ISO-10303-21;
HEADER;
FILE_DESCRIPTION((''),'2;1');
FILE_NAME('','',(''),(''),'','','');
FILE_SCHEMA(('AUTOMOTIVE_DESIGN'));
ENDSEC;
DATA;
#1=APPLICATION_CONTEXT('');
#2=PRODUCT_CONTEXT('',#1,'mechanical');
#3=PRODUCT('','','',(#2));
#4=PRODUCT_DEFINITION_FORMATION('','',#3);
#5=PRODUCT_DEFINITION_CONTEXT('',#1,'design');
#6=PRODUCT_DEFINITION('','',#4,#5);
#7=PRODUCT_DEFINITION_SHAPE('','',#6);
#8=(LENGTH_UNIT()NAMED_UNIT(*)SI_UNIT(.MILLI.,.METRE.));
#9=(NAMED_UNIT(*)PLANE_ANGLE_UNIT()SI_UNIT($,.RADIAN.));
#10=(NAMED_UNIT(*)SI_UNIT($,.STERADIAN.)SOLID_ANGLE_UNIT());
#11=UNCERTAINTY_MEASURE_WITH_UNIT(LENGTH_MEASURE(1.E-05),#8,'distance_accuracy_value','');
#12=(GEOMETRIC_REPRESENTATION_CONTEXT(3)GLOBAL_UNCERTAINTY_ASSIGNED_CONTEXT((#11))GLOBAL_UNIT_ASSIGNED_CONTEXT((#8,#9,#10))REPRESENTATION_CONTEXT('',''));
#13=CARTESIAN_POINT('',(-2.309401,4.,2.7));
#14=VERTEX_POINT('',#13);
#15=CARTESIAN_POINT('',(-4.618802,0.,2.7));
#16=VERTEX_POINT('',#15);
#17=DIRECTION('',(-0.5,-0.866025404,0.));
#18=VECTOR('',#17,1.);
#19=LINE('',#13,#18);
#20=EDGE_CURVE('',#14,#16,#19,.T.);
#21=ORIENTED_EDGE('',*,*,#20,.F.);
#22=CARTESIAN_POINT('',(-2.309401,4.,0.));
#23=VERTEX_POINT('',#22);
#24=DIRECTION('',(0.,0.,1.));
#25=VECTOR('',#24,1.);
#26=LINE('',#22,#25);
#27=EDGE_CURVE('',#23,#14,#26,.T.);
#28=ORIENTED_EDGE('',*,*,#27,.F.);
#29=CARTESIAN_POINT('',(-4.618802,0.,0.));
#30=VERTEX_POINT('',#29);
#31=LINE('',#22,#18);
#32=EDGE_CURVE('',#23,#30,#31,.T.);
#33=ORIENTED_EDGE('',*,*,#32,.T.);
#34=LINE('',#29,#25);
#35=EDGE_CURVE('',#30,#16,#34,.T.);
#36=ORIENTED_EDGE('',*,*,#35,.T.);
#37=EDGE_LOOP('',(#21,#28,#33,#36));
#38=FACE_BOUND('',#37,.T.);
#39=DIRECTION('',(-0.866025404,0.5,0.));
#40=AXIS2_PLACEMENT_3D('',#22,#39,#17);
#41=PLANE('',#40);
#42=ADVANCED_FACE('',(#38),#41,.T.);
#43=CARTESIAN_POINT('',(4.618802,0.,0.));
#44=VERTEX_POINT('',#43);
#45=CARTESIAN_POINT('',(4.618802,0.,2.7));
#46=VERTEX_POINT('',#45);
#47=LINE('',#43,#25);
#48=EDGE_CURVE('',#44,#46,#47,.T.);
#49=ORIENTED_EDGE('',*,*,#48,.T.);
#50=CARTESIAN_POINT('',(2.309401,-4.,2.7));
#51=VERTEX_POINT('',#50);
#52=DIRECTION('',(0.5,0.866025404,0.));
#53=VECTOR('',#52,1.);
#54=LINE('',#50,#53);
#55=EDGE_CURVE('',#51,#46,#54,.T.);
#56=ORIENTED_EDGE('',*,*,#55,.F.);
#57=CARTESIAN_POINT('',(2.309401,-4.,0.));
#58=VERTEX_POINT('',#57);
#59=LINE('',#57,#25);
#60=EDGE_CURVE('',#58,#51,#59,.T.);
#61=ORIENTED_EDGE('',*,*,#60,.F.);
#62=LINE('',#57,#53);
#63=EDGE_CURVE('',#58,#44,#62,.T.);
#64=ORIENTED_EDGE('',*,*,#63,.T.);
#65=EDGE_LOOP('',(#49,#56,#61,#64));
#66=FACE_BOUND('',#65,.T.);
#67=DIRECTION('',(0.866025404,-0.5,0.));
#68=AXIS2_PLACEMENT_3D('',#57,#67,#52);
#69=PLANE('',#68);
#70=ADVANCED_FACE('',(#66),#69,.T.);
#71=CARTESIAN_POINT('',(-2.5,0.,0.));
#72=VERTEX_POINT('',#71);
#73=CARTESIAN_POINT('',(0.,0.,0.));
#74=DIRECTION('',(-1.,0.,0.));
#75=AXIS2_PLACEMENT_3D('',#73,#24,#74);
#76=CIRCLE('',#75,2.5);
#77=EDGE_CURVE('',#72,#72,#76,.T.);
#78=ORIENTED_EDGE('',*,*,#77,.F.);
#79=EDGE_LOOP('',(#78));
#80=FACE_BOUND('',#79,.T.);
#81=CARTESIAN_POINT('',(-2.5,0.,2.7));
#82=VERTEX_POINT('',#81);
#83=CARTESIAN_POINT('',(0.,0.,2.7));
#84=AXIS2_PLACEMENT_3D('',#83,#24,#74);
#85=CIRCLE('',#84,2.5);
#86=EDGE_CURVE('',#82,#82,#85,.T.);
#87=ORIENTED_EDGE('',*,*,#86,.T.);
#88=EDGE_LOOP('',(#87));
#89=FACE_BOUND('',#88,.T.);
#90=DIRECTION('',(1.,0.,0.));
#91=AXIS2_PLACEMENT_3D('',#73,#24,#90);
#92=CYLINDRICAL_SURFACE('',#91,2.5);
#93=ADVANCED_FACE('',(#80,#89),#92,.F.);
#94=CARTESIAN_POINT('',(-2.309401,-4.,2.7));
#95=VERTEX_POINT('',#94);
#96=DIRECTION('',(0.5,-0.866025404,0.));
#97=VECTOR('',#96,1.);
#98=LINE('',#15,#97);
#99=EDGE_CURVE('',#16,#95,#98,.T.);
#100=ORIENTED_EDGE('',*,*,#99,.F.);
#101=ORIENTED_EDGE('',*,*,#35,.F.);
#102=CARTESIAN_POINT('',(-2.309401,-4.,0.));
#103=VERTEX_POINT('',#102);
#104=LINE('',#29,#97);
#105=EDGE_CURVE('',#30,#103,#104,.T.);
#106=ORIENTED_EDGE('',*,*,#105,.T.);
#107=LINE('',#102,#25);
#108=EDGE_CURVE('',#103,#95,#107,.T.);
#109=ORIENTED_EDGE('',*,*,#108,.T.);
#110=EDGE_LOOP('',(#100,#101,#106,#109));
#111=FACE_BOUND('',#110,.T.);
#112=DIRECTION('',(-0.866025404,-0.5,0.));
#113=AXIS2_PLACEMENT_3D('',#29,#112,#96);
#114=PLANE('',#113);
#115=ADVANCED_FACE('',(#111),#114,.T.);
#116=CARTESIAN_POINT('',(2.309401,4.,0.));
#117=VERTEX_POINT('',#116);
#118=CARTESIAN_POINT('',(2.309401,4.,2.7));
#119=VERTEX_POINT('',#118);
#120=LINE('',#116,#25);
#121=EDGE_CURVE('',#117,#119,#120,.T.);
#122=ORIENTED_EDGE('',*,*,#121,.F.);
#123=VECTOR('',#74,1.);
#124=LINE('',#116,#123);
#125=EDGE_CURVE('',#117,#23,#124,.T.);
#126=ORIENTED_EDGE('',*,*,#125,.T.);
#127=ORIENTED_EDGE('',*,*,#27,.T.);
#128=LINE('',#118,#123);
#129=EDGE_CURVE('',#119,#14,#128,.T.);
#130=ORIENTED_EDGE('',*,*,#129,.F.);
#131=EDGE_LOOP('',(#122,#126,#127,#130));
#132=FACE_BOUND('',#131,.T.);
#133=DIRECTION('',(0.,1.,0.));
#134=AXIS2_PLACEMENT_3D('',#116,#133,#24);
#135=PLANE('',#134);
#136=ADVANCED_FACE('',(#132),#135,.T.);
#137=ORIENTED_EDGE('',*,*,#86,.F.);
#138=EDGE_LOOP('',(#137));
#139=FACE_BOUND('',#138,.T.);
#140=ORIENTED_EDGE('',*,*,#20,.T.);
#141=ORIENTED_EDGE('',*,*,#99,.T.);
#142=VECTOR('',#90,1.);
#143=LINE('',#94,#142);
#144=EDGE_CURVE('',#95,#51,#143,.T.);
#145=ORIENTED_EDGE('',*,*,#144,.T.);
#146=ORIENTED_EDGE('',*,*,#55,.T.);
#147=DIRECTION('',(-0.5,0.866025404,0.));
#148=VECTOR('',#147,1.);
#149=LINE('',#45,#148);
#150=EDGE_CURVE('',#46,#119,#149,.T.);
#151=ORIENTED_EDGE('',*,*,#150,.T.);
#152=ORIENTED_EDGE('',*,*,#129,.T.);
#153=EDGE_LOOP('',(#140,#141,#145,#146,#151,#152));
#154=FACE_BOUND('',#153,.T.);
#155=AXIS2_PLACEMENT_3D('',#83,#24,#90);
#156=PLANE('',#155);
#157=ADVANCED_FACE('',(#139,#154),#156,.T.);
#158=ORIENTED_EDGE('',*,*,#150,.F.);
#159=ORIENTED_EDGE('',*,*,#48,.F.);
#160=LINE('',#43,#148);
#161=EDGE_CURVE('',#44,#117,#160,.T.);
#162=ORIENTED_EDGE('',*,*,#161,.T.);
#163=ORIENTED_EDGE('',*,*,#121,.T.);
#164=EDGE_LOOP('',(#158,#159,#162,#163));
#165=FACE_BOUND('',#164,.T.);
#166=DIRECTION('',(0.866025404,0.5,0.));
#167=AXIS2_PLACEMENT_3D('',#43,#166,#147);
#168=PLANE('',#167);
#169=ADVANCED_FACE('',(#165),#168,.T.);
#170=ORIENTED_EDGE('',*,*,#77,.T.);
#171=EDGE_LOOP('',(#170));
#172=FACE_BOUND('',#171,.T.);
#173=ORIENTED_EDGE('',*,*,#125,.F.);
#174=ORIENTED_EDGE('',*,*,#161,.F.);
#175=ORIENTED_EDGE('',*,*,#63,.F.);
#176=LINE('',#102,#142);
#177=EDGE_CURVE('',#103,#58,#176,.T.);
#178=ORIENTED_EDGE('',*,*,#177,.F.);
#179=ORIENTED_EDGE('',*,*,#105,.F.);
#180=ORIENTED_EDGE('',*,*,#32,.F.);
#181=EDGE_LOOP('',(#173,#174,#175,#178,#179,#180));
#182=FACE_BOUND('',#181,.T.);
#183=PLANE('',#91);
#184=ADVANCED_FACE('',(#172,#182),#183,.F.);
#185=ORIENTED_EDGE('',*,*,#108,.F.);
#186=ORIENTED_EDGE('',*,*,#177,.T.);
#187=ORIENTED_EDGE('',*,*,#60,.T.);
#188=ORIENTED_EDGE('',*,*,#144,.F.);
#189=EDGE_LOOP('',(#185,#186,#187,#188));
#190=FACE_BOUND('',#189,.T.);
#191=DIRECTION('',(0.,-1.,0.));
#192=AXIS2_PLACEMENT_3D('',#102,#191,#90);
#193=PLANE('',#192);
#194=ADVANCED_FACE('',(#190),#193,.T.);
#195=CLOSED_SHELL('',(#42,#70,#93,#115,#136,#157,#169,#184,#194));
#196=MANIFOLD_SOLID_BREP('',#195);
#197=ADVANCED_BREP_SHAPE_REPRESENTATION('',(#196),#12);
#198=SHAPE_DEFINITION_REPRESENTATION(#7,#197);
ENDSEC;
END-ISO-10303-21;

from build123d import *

# Parameters (mm, degrees)
SKETCH1_R           = 2.5
BOSS_EXTRUDE1_DEPTH = 2.7


with BuildPart() as part:
    # Sketch1 → Boss-Extrude1 (new body)
    with BuildSketch(Plane.XY.offset(2.7)):
        Polygon((-2.309401077, 4), (-4.618802154, 0), (-2.309401077, -4), (2.309401077, -4), (4.618802154, 0), (2.309401077, 4), align=None)
        with Locations(Location((0, 0, 0), (0, 0, 180))):
            Circle(SKETCH1_R, mode=Mode.SUBTRACT)
    extrude(amount=-BOSS_EXTRUDE1_DEPTH)


solid = part.part
